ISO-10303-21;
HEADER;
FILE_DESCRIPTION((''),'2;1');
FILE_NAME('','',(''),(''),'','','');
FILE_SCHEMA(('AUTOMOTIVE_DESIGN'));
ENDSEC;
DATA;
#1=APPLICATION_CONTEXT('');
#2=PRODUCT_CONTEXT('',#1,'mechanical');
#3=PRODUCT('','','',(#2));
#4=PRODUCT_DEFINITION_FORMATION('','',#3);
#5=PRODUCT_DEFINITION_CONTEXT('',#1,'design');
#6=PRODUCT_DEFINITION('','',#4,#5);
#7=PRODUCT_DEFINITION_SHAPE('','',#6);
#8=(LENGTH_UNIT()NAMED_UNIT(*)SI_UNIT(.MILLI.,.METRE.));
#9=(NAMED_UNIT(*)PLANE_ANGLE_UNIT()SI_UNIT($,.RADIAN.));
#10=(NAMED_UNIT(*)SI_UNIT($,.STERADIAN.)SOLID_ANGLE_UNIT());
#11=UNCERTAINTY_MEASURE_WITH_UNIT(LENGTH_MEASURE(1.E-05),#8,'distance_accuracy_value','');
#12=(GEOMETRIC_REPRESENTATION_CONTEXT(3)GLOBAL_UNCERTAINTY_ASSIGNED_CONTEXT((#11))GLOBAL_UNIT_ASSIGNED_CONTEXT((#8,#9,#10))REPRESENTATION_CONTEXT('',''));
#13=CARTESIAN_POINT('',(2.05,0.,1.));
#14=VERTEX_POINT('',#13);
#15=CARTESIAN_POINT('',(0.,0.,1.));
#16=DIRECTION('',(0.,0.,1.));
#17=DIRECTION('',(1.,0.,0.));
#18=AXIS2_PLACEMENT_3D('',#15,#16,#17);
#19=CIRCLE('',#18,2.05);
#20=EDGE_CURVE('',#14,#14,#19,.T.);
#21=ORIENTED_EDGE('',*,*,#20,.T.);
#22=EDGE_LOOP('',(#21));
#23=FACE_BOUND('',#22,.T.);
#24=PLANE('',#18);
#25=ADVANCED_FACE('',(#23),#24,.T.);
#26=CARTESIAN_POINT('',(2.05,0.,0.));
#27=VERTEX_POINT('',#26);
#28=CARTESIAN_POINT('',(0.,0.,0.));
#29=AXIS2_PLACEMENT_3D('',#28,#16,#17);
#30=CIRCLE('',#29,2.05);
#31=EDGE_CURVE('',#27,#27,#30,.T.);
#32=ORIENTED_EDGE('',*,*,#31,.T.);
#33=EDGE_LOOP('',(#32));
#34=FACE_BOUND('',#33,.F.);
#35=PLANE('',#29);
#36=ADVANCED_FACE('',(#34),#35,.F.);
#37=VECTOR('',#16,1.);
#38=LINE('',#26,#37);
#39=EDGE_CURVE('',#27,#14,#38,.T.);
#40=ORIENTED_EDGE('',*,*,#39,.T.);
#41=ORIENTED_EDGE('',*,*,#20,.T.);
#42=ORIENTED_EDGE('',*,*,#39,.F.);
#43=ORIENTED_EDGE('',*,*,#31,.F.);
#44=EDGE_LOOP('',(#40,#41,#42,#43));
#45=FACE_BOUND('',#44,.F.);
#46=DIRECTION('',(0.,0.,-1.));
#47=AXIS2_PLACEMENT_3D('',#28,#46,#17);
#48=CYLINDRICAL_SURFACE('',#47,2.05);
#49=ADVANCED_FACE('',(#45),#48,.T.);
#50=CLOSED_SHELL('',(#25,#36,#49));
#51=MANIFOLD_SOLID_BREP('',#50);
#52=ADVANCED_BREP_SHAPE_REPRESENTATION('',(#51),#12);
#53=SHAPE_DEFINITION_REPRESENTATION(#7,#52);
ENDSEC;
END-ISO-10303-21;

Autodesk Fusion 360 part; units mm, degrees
sketch "Skizze1" plane through (0, 0, 0) normal (0, 0, 1) x (1, 0, 0)
  circle A0 centre (0, 0) radius 2.05
  dimension "d1" = 4.1
extrude "Extrusion1" add sketch "Skizze1" along normal blind 1
